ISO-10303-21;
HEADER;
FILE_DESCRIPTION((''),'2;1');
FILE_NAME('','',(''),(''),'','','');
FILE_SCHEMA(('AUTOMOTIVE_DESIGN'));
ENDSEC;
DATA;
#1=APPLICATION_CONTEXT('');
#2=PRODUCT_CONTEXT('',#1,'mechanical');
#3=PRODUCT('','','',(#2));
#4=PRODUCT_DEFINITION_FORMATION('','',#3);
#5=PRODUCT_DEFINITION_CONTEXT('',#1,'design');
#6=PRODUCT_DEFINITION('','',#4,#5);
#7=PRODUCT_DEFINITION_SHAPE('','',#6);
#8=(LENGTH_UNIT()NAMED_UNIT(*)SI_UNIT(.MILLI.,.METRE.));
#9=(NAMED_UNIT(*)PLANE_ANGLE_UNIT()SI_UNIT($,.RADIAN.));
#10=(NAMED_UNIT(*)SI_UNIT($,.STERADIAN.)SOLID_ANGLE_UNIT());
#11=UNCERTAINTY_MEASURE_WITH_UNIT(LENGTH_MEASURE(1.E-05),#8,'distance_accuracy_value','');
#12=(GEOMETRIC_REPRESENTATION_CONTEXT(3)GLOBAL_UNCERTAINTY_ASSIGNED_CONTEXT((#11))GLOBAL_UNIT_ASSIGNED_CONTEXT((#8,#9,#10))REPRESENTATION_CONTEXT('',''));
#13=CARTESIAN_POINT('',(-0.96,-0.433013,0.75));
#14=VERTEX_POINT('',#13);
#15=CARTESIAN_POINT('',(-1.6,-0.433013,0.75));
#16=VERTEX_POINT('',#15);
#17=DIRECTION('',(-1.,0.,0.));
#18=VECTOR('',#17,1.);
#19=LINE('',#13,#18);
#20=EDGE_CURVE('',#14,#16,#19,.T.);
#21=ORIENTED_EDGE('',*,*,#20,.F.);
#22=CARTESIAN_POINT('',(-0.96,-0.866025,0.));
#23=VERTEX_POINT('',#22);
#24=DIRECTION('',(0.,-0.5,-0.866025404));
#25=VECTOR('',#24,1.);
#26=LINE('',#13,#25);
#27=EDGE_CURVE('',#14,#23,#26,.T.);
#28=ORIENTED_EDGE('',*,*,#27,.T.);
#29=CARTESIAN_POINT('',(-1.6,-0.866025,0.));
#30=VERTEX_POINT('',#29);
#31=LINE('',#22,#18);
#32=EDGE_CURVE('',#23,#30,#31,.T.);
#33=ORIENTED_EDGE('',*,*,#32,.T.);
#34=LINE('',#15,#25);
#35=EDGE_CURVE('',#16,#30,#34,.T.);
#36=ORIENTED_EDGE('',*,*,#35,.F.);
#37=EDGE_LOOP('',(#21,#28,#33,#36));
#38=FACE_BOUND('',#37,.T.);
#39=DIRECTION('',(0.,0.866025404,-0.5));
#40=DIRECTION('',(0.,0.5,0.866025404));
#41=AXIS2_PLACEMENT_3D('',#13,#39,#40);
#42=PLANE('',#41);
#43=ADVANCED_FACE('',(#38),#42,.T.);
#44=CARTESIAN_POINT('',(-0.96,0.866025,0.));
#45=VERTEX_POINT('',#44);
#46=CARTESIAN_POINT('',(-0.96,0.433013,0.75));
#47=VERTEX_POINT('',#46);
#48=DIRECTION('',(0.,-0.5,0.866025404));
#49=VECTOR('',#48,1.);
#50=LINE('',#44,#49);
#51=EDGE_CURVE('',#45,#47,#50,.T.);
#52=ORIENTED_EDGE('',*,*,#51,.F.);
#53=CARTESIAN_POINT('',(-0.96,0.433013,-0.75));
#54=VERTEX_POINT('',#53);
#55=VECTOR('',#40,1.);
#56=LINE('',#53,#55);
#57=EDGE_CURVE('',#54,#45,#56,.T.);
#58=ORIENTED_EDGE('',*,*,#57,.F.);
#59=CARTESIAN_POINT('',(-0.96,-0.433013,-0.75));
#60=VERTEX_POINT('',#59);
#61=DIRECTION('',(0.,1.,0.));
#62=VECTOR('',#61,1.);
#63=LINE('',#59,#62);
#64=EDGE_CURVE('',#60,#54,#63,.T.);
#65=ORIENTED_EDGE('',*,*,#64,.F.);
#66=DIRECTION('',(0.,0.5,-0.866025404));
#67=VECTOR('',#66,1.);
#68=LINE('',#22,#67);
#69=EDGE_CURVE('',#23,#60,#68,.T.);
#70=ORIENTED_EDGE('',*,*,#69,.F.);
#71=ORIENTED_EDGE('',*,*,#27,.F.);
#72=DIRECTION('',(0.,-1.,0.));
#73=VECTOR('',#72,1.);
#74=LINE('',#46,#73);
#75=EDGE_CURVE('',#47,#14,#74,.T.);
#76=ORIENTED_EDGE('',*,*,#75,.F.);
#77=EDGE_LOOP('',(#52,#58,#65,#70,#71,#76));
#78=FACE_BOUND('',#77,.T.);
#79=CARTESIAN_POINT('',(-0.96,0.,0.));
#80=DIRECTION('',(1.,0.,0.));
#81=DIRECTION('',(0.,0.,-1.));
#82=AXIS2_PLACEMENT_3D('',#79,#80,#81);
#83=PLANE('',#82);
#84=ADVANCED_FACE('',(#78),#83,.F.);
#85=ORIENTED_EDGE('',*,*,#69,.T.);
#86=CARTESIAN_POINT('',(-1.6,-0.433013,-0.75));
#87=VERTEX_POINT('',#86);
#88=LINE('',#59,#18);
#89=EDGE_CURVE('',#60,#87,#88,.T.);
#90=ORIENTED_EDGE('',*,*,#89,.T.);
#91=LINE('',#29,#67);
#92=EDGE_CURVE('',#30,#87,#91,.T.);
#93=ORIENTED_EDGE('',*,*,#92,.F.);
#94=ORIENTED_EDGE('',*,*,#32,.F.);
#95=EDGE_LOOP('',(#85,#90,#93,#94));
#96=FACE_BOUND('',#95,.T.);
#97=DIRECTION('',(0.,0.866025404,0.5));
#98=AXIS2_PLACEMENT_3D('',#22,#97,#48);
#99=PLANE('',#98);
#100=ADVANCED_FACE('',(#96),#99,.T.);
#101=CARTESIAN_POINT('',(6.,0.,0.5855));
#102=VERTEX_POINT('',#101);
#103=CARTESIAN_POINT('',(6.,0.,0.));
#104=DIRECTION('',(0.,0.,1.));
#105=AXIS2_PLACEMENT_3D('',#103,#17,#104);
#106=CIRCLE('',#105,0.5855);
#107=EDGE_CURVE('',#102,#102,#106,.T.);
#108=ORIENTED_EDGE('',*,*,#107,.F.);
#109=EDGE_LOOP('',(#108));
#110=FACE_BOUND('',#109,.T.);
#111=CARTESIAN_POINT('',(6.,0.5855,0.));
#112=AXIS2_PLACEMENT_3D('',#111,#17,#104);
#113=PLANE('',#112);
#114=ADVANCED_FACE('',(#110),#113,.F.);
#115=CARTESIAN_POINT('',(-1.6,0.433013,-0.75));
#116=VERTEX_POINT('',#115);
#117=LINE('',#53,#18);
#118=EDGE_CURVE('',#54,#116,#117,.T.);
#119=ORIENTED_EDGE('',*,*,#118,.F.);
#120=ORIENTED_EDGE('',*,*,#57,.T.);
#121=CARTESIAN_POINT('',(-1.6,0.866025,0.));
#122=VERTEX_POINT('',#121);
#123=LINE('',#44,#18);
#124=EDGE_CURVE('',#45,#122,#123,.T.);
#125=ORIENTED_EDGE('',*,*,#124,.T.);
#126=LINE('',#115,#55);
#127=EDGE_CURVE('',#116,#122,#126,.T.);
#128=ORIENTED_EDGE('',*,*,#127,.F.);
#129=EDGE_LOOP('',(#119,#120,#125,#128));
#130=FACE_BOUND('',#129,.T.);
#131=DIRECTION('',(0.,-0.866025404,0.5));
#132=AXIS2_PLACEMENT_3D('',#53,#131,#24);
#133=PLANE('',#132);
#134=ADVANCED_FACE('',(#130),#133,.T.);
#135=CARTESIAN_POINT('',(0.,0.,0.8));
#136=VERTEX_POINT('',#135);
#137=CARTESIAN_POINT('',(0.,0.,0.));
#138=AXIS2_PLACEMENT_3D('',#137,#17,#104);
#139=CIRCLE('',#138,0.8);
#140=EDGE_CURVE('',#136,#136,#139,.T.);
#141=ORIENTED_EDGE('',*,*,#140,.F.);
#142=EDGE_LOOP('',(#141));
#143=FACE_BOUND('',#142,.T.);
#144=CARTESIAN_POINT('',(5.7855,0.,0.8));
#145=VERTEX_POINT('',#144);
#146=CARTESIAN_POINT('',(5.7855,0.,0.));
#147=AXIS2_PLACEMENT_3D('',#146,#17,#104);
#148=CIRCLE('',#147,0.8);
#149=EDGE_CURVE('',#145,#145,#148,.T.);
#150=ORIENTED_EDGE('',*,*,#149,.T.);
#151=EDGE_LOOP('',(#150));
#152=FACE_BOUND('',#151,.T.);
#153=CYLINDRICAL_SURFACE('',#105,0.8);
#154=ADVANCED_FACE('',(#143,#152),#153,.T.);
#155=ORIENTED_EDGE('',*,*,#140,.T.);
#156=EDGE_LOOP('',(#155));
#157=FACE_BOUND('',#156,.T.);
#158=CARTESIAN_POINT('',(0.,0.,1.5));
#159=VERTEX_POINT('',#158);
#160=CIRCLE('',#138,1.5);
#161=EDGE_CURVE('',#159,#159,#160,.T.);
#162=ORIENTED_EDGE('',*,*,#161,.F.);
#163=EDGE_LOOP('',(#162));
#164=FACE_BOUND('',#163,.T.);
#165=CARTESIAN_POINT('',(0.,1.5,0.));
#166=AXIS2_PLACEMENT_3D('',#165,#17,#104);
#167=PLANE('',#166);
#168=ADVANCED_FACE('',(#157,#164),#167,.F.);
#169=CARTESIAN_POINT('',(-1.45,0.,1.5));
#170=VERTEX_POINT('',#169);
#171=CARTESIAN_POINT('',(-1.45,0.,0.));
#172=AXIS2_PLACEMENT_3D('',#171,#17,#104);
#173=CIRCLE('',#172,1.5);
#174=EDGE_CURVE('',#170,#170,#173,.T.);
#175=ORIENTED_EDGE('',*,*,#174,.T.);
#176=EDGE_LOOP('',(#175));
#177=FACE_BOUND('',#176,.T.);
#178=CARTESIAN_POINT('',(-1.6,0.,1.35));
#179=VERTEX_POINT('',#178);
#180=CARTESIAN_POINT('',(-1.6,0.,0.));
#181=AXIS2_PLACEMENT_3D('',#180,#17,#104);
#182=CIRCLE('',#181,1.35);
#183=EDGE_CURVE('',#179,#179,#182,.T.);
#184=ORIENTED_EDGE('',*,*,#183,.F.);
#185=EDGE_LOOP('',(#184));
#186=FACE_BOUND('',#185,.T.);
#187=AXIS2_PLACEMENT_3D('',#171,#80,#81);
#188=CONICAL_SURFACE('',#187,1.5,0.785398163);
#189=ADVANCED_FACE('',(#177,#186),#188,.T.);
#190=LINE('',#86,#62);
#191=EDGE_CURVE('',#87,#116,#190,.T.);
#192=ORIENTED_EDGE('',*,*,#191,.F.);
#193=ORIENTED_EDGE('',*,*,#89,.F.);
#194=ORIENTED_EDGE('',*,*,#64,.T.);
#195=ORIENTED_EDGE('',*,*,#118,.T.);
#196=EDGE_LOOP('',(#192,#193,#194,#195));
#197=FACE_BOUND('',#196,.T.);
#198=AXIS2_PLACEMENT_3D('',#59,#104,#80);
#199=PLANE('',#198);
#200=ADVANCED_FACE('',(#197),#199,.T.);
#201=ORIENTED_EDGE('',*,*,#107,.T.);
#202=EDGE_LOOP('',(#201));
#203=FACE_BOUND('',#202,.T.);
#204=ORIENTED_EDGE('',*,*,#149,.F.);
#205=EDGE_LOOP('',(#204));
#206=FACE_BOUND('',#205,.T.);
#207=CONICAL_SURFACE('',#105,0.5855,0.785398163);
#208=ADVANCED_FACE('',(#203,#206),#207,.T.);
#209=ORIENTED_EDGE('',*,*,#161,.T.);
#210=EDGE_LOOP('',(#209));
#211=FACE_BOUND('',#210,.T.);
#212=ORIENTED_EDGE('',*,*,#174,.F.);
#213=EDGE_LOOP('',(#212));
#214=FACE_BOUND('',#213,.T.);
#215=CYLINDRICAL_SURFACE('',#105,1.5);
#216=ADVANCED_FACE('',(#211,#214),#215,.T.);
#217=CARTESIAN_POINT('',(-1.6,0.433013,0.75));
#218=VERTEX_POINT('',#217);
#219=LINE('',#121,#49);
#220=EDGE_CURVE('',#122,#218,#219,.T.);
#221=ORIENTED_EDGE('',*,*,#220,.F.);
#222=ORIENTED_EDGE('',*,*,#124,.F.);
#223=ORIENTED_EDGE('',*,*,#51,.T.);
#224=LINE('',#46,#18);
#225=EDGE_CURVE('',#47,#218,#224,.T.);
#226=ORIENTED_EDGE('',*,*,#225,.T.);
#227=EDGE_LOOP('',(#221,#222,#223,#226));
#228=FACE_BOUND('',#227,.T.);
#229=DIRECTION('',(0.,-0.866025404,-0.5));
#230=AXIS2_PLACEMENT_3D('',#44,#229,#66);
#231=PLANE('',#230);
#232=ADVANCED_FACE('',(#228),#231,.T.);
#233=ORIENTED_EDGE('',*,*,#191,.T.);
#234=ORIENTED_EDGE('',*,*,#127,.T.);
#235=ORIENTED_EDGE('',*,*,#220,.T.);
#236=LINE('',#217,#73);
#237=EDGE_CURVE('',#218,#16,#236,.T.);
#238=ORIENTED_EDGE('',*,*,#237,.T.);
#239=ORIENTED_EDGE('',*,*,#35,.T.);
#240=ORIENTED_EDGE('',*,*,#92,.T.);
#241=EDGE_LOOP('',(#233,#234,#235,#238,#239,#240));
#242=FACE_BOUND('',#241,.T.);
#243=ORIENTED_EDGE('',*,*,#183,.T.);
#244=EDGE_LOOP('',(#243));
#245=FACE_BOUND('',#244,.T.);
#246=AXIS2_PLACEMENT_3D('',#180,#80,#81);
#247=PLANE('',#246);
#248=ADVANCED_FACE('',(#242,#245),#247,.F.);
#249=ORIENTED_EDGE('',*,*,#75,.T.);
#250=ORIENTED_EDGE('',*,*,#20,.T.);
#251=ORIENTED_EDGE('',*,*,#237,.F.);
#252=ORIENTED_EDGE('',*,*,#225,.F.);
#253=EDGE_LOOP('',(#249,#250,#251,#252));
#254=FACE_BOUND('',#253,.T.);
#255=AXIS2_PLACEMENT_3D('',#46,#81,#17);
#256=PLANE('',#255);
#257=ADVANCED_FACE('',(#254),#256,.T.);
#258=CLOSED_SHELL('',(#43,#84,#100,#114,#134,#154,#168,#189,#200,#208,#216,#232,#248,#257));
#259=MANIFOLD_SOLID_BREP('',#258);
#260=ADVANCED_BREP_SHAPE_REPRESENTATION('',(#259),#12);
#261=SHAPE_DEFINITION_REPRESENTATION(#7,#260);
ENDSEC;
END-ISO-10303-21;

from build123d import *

# Parameters (mm, degrees)
CUT_EXTRUDE1_DEPTH = 0.64


with BuildPart() as part:
    # Sketch1 → Revolve1 (revolve)
    with BuildSketch(Plane.XY):
        Polygon((-1.6, 0), (-1.6, 1.35), (-1.45, 1.5), (0, 1.5), (0, 0.8), (5.7855, 0.8), (6, 0.5855), (6, 0), align=None)
    revolve(axis=Axis((6, 0, 0), (-1, 0, 0)))

    # Sketch2 → Cut-Extrude1 (cut)
    with BuildSketch(Plane(origin=(-1.6, 0, 0), x_dir=(0, 0, -1), z_dir=(1, 0, 0))):
        Polygon((-0.75, -0.433012702), (0, -0.866025404), (0.75, -0.433012702), (0.75, 0.433012702), (0, 0.866025404), (-0.75, 0.433012702), align=None)
    extrude(amount=CUT_EXTRUDE1_DEPTH, mode=Mode.SUBTRACT)


solid = part.part
